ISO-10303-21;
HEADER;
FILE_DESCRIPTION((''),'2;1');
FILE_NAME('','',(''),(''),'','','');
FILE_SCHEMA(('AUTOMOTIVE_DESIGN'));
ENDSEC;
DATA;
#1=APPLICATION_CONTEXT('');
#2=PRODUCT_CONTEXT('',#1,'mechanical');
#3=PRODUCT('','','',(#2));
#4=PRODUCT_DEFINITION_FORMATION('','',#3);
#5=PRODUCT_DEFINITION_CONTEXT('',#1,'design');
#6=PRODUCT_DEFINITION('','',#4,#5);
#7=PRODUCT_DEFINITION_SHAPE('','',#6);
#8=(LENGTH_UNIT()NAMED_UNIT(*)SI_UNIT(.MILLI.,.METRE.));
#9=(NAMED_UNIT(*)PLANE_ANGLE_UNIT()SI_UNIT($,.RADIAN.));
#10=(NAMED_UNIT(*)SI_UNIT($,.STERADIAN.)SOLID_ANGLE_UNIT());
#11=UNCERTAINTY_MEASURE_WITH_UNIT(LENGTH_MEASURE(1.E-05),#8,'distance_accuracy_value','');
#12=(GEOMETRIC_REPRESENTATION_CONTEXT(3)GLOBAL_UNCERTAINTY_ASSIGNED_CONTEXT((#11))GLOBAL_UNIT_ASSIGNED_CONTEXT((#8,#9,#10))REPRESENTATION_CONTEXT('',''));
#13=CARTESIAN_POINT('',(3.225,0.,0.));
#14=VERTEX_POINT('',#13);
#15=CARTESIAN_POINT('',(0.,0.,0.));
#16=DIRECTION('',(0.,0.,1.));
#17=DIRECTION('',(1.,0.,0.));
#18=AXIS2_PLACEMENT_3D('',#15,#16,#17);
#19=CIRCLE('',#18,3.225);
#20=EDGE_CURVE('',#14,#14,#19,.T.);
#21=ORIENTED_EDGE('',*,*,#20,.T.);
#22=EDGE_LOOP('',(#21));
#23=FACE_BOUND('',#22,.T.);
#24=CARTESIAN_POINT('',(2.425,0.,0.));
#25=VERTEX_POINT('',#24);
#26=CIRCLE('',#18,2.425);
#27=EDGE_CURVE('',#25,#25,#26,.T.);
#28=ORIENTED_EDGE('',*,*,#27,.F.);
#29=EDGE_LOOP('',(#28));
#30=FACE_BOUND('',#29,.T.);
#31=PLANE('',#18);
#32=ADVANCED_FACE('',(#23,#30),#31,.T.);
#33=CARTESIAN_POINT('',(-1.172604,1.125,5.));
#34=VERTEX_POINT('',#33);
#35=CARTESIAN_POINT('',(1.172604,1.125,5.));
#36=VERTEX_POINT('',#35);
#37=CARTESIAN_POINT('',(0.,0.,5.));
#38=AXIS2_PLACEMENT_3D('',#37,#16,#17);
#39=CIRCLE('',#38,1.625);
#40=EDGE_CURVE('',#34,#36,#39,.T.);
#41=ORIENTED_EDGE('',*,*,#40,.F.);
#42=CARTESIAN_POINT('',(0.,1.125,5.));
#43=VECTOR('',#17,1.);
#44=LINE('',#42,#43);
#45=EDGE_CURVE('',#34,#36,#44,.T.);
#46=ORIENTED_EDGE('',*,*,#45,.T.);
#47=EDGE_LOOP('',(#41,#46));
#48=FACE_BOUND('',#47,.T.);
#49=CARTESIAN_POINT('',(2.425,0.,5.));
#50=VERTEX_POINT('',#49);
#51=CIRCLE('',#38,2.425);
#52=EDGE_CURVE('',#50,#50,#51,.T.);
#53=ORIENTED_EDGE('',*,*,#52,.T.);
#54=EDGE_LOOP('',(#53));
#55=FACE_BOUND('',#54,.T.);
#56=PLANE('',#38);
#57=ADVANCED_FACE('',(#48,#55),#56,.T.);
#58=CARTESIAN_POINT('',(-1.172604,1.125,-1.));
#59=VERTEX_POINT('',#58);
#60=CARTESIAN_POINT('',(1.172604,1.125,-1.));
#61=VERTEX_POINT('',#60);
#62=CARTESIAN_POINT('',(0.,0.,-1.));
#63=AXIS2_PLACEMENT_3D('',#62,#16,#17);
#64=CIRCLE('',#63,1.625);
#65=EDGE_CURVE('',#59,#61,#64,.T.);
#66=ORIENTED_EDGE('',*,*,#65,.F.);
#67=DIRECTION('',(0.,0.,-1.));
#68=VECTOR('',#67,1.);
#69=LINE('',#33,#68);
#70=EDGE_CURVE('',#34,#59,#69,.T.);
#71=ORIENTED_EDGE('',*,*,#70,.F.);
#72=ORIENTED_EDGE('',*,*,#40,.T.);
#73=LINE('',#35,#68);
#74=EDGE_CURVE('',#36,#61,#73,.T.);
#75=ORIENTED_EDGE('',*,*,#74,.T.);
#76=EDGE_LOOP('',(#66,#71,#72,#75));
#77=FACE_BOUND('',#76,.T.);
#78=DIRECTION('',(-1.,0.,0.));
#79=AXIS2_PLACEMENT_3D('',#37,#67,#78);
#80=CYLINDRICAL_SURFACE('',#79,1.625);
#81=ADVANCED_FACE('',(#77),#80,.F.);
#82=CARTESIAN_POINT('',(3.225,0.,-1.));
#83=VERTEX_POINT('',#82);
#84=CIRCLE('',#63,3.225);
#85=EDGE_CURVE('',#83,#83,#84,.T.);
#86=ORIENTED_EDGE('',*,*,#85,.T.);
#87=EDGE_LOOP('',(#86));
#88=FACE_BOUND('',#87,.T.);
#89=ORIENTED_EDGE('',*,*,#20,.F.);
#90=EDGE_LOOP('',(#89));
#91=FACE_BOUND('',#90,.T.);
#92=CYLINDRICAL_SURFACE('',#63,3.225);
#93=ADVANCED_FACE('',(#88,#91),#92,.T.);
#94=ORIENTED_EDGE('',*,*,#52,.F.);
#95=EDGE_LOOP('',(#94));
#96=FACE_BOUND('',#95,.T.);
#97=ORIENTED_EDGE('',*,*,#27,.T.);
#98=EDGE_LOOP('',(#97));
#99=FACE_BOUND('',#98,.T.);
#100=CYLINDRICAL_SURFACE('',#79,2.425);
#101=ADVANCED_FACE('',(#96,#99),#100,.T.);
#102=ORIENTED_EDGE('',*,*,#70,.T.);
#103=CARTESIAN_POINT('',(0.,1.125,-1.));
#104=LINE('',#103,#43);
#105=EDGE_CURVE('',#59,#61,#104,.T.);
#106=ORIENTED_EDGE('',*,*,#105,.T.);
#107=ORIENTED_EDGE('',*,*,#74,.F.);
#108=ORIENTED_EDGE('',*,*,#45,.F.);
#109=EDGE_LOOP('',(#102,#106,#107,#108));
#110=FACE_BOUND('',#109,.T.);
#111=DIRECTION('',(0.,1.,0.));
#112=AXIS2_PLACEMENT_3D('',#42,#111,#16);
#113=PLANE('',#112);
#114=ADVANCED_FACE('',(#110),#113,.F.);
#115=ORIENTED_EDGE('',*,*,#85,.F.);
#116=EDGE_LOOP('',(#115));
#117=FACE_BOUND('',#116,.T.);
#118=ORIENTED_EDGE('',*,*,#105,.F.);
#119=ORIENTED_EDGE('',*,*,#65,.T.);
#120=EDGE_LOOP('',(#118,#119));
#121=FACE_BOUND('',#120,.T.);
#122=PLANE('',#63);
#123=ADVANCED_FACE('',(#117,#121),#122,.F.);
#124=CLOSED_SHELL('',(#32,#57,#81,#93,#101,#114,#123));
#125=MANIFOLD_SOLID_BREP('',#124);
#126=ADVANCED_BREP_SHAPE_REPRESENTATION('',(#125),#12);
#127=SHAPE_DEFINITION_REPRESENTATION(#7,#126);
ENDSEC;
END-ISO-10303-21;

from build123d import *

# Parameters (mm, degrees)
SKETCH1_R           = 2.425
BOSS_EXTRUDE1_DEPTH = 5
BOSS_EXTRUDE2_START = -1
SKETCH1_4_R         = 3.225
BOSS_EXTRUDE2_DEPTH = 1


with BuildPart() as part:
    # Sketch1 → Boss-Extrude1 (new body)
    with BuildSketch(Plane.XY):
        Circle(SKETCH1_R)
        with BuildLine():
            Line((-1.17260394, 1.125), (1.17260394, 1.125))
            ThreePointArc((1.17260394, 1.125), (0, -1.625), (-1.17260394, 1.125))
        make_face(mode=Mode.SUBTRACT)
    extrude(amount=BOSS_EXTRUDE1_DEPTH)

    # Sketch1<4> → Boss-Extrude2 (add)
    with BuildSketch(Plane.XY.offset(BOSS_EXTRUDE2_START)):
        Circle(SKETCH1_4_R)
        with BuildLine():
            Line((-1.17260394, 1.125), (1.17260394, 1.125))
            ThreePointArc((1.17260394, 1.125), (0, -1.625), (-1.17260394, 1.125))
        make_face(mode=Mode.SUBTRACT)
    extrude(amount=BOSS_EXTRUDE2_DEPTH)


solid = part.part
